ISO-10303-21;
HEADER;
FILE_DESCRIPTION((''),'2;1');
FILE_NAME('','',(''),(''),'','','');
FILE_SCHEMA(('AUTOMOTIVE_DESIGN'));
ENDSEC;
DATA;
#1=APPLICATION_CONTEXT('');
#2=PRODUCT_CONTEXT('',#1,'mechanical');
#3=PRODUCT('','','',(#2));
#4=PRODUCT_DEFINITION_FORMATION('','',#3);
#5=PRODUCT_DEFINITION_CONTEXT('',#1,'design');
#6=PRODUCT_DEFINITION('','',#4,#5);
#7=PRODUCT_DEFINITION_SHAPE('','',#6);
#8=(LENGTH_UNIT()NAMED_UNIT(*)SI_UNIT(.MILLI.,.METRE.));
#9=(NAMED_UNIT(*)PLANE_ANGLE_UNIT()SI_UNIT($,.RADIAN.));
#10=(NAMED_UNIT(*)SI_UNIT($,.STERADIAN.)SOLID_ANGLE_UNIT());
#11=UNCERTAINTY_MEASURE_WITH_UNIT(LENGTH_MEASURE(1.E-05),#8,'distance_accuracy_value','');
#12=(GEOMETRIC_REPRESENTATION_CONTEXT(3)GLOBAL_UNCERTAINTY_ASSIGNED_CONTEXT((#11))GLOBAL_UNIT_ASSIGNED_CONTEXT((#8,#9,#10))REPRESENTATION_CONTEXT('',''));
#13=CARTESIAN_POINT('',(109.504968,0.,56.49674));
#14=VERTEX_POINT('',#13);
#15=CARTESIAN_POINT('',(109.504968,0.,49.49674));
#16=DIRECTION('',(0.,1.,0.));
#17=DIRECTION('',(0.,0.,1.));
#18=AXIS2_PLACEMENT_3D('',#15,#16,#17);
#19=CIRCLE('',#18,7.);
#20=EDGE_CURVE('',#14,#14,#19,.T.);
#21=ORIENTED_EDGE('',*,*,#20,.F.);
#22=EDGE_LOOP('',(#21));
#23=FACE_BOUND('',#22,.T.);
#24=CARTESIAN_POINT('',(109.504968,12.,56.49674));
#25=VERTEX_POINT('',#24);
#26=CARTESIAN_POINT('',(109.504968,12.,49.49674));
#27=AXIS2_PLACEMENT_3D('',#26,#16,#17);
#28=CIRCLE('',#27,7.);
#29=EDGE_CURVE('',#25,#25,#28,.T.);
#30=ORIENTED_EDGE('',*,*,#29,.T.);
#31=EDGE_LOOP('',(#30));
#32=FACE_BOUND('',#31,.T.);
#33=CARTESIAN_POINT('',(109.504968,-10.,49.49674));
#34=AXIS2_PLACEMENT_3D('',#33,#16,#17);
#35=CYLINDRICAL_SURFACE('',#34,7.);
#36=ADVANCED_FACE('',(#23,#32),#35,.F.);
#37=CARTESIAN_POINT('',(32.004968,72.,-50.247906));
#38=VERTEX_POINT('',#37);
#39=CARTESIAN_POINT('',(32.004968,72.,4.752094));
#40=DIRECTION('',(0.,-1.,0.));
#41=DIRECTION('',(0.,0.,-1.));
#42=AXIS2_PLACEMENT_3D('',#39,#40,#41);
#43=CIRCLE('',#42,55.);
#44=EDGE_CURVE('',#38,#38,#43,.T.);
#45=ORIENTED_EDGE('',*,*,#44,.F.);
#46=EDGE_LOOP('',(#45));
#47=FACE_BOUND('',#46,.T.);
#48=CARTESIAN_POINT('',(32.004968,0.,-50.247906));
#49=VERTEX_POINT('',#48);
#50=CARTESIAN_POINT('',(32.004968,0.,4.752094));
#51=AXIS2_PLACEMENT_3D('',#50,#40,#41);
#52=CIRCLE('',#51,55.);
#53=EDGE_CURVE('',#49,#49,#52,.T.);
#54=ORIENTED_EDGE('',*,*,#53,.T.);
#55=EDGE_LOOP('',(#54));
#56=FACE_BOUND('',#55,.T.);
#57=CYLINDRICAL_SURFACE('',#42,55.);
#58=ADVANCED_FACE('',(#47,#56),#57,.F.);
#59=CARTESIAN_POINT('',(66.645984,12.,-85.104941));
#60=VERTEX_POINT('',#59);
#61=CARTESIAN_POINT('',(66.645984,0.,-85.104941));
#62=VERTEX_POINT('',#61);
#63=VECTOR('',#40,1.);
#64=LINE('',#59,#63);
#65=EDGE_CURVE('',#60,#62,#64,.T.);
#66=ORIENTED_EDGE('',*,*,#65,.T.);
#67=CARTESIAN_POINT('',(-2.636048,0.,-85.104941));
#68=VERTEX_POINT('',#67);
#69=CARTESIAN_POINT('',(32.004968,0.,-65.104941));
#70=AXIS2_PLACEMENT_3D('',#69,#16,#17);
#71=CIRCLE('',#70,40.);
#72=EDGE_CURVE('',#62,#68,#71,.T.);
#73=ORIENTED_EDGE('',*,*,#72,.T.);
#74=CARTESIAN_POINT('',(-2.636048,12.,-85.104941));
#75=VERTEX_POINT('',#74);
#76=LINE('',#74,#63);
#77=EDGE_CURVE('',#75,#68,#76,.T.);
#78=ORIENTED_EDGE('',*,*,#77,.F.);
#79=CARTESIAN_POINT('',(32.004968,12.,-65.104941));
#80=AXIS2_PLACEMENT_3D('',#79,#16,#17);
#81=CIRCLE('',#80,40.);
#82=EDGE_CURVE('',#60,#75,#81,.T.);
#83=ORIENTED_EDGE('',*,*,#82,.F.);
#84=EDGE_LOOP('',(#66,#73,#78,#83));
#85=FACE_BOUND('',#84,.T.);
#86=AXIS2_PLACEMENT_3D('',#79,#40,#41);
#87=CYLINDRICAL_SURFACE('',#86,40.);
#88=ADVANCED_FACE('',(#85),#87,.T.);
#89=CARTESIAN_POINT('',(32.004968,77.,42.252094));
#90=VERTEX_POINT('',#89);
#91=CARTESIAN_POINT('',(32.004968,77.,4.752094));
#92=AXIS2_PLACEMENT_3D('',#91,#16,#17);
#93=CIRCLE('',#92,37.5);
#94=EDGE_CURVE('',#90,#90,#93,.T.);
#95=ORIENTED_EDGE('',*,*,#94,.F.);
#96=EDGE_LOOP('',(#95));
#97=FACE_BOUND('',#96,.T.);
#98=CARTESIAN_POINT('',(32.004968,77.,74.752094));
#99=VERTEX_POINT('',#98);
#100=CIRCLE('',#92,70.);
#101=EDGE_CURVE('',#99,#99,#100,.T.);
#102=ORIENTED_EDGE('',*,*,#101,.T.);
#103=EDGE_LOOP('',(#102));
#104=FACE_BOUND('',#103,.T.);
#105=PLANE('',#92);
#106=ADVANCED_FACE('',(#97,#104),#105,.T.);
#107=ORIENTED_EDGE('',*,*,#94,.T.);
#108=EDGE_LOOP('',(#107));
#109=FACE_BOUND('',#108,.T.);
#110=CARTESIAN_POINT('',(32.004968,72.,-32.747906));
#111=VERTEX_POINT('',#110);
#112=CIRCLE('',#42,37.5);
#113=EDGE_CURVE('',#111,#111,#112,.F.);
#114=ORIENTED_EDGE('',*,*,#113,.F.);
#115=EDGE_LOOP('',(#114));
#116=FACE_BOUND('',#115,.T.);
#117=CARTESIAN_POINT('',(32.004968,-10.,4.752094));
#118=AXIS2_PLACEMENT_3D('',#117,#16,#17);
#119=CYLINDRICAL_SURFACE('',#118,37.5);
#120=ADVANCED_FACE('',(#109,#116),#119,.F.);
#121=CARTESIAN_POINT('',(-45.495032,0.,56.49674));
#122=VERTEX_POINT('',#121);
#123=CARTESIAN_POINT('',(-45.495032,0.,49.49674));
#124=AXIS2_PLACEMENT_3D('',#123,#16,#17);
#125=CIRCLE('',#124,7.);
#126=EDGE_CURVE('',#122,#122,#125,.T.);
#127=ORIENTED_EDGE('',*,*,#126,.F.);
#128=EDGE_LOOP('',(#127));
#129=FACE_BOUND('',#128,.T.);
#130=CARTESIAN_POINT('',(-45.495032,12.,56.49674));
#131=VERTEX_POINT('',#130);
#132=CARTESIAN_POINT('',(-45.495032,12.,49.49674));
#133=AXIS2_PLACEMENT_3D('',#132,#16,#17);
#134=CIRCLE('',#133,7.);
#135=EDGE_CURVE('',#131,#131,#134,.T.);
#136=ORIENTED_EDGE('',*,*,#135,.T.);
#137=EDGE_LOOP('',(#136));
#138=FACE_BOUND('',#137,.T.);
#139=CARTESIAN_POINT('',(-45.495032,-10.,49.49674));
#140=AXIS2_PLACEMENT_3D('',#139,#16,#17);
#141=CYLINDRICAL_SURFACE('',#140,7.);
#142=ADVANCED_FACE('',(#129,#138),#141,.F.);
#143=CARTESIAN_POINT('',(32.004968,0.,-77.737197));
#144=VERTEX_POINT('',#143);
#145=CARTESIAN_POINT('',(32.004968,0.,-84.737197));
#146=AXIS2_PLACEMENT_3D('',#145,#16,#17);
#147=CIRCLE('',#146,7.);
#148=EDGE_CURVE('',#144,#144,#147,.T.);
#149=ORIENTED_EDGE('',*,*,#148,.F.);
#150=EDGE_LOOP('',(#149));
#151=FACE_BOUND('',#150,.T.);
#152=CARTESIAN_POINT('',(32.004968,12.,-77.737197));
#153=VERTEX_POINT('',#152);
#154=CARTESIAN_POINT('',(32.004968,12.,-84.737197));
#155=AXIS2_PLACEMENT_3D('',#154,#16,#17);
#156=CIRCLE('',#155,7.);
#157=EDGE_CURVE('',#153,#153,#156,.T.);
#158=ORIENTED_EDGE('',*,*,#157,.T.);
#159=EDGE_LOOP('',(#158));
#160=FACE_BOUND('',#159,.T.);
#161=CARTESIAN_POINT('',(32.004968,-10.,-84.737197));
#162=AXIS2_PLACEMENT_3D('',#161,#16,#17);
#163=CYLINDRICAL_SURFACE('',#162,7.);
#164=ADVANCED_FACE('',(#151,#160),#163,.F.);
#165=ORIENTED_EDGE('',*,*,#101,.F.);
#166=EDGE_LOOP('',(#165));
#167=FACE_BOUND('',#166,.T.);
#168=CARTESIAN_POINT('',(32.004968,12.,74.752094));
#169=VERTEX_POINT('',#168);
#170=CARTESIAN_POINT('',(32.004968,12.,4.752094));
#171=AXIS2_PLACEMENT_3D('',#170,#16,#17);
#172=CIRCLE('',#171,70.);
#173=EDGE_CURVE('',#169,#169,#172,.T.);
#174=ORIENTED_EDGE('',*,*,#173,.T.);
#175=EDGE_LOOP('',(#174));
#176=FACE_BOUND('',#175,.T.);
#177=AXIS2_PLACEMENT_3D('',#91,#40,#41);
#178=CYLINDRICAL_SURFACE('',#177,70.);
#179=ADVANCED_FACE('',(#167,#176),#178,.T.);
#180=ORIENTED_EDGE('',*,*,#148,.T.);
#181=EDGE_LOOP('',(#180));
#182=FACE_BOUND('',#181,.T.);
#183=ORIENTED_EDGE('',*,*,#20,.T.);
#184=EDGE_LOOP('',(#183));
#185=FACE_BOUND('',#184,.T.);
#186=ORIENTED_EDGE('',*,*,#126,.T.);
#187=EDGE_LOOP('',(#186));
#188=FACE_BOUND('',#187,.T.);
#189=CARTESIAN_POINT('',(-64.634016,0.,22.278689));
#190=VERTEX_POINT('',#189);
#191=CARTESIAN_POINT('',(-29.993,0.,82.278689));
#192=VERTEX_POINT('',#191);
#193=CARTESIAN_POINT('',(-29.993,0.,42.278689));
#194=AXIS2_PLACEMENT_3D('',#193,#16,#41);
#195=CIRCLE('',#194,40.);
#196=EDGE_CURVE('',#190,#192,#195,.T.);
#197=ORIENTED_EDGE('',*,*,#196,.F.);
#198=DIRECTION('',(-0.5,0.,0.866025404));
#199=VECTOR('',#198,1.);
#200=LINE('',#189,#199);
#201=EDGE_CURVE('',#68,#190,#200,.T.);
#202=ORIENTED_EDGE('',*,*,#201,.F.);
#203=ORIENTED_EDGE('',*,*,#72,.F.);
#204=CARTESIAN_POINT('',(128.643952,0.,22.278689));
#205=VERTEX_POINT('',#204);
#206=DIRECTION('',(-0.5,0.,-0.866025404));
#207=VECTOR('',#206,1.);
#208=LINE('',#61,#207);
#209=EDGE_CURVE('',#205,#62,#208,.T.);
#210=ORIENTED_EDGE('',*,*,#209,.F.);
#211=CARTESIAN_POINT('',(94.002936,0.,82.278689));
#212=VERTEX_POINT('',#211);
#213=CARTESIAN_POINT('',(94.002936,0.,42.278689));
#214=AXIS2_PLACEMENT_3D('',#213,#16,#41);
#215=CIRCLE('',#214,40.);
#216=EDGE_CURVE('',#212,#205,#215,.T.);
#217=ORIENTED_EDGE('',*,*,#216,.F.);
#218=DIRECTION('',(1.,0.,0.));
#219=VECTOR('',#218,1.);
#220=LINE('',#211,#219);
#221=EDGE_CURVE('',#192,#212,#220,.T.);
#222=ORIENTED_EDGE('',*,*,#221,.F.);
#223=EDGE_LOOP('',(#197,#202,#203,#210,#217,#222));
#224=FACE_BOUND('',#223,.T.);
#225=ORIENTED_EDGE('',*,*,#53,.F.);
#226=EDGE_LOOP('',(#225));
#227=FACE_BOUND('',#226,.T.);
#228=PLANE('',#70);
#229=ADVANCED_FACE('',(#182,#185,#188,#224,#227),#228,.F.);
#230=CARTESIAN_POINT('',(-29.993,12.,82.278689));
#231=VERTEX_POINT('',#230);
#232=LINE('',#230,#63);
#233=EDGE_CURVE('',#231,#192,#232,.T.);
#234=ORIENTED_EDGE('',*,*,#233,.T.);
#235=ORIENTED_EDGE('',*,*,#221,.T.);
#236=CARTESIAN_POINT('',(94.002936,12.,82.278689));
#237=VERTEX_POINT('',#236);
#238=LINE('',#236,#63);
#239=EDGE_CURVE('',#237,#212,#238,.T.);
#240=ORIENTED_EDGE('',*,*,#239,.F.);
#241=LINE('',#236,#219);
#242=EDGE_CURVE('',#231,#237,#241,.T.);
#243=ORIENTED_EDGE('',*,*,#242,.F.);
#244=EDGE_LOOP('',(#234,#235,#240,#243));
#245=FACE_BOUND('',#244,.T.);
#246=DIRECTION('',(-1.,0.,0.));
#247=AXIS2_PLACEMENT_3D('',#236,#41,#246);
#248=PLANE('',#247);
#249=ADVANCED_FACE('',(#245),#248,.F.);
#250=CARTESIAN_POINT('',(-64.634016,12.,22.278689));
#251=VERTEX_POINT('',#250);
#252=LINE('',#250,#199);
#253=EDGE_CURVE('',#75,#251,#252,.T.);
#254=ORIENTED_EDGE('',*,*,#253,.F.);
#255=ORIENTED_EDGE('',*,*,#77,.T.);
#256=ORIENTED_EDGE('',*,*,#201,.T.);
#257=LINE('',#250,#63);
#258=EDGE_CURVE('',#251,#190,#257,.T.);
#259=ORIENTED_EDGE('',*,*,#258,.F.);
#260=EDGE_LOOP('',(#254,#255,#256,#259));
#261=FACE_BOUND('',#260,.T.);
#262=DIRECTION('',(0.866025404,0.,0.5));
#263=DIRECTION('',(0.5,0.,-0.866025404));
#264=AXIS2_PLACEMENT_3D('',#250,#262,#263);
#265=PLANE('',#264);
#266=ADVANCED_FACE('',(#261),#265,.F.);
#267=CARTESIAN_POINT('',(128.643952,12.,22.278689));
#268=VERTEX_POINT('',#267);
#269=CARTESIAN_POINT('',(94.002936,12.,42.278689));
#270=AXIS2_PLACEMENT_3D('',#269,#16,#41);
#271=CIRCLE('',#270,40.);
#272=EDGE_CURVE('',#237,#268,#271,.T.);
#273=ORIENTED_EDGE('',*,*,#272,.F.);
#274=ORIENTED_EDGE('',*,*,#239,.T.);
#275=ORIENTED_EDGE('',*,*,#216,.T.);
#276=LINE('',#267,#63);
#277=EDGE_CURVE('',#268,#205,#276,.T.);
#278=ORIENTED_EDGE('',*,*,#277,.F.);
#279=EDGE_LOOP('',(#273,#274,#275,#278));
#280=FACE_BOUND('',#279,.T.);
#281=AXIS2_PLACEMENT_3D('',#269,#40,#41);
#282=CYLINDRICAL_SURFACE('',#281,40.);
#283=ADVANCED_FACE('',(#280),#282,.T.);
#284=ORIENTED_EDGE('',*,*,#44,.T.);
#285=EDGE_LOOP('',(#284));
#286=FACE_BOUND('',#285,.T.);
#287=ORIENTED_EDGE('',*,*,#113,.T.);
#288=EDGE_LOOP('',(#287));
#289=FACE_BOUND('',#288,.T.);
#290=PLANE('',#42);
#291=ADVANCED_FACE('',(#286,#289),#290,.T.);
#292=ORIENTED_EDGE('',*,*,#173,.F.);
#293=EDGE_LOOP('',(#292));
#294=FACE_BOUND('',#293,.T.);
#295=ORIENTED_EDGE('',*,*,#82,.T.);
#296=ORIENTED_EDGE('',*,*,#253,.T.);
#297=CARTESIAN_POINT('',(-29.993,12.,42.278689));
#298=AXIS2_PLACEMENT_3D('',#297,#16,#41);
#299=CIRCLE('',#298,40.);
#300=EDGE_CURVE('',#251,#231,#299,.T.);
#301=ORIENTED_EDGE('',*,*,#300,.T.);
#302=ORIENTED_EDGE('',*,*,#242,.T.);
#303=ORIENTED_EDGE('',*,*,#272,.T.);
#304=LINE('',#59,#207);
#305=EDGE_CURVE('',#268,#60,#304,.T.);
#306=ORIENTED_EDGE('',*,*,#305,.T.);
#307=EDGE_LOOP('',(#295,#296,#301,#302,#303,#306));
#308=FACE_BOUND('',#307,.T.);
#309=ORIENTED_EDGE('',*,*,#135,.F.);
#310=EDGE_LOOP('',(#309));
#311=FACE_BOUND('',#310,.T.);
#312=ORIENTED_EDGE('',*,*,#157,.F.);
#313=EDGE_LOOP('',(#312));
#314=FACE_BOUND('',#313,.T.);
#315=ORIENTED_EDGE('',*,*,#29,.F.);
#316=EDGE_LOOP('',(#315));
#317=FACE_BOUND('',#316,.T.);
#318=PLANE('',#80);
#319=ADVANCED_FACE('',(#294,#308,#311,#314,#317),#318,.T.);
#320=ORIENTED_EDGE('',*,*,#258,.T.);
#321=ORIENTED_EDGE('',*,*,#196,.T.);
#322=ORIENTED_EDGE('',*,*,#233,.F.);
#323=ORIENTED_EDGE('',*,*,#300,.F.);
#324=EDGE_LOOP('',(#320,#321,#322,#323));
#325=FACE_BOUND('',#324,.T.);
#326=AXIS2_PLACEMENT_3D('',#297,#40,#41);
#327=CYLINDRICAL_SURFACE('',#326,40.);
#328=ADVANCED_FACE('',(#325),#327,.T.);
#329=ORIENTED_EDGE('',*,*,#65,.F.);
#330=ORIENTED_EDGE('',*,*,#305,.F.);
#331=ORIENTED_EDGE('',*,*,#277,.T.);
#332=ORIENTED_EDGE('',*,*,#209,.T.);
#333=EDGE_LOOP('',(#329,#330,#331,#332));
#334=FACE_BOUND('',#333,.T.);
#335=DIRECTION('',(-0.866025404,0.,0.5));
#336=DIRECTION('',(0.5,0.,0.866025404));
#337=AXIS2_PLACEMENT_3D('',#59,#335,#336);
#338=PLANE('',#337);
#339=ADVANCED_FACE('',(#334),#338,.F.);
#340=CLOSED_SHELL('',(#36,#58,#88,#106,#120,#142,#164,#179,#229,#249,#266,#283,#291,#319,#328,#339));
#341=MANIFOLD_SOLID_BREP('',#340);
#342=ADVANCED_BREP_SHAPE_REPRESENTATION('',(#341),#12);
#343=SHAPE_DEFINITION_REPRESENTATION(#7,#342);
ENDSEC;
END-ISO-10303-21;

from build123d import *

# Parameters (mm, degrees)
BOSS_EXTRUDE1_DEPTH = 12
SKETCH2_R           = 37.5
CUT_EXTRUDE1_DEPTH  = 22
SKETCH5_R           = 7
CUT_EXTRUDE3_DEPTH  = 22
SKETCH6_R           = 70
BOSS_EXTRUDE2_DEPTH = 65
CUT_EXTRUDE4_START  = -80
SKETCH7_R           = 37.5
CUT_EXTRUDE4_DEPTH  = 80
SKETCH9_R           = 55
CUT_EXTRUDE5_DEPTH  = 72


with BuildPart() as part:
    # Sketch1 → Boss-Extrude1 (new body)
    with BuildSketch(Plane(origin=(0, 0, 0), x_dir=(1, 0, 0), z_dir=(0, 1, 0))):
        with BuildLine():
            Line((66.645984298, 85.104941493), (128.643951995, -22.278688525))
            ThreePointArc((128.643951995, -22.278688525), (128.643951995, -62.278688525), (94.002935844, -82.278688525))
            Line((94.002935844, -82.278688525), (-29.992999551, -82.278688525))
            ThreePointArc((-29.992999551, -82.278688525), (-64.634015702, -62.278688525), (-64.634015702, -22.278688525))
            Line((-64.634015702, -22.278688525), (-2.636048005, 85.104941493))
            ThreePointArc((-2.636048005, 85.104941493), (32.004968146, 105.104941493), (66.645984298, 85.104941493))
        make_face()
    extrude(amount=BOSS_EXTRUDE1_DEPTH)

    # Sketch2 → Cut-Extrude1 (cut)
    with BuildSketch(Plane(origin=(0, 12, 0), x_dir=(1, 0, 0), z_dir=(0, 1, 0))):
        with Locations(Location((32.004968146, -4.752094378, 0), (0, 0, 270))):
            Circle(SKETCH2_R)
    extrude(amount=-CUT_EXTRUDE1_DEPTH, mode=Mode.SUBTRACT)

    # Sketch5 → Cut-Extrude3 (cut)
    with BuildSketch(Plane(origin=(0, 12, 0), x_dir=(1, 0, 0), z_dir=(0, 1, 0))):
        with Locations(Location((109.504968146, -49.49674024, 0), (0, 0, 270))):
            Circle(SKETCH5_R)
        with Locations(Location((32.004968146, 84.737197347, 0), (0, 0, 270))):
            Circle(SKETCH5_R)
        with Locations(Location((-45.495031854, -49.49674024, 0), (0, 0, 270))):
            Circle(SKETCH5_R)
    extrude(amount=-CUT_EXTRUDE3_DEPTH, mode=Mode.SUBTRACT)

    # Sketch6 → Boss-Extrude2 (add)
    with BuildSketch(Plane(origin=(0, 12, 0), x_dir=(1, 0, 0), z_dir=(0, 1, 0))):
        with Locations(Location((32.004968146, -4.752094378, 0), (0, 0, 270))):
            Circle(SKETCH6_R)
    extrude(amount=BOSS_EXTRUDE2_DEPTH)

    # Sketch7 → Cut-Extrude4 (cut)
    with BuildSketch(Plane(origin=(0, 12, 0), x_dir=(-1, 0, 0), z_dir=(0, -1, 0)).offset(CUT_EXTRUDE4_START)):
        with Locations(Location((-32.004968146, -4.752094378, 0), (0, 0, 270))):
            Circle(SKETCH7_R)
    extrude(amount=CUT_EXTRUDE4_DEPTH, mode=Mode.SUBTRACT)

    # Sketch9 → Cut-Extrude5 (cut)
    with BuildSketch(Plane(origin=(0, 0, 0), x_dir=(-1, 0, 0), z_dir=(0, -1, 0))):
        with Locations(Location((-32.004968146, -4.752094378, 0), (0, 0, 90))):
            Circle(SKETCH9_R)
    extrude(amount=-CUT_EXTRUDE5_DEPTH, mode=Mode.SUBTRACT)


solid = part.part
